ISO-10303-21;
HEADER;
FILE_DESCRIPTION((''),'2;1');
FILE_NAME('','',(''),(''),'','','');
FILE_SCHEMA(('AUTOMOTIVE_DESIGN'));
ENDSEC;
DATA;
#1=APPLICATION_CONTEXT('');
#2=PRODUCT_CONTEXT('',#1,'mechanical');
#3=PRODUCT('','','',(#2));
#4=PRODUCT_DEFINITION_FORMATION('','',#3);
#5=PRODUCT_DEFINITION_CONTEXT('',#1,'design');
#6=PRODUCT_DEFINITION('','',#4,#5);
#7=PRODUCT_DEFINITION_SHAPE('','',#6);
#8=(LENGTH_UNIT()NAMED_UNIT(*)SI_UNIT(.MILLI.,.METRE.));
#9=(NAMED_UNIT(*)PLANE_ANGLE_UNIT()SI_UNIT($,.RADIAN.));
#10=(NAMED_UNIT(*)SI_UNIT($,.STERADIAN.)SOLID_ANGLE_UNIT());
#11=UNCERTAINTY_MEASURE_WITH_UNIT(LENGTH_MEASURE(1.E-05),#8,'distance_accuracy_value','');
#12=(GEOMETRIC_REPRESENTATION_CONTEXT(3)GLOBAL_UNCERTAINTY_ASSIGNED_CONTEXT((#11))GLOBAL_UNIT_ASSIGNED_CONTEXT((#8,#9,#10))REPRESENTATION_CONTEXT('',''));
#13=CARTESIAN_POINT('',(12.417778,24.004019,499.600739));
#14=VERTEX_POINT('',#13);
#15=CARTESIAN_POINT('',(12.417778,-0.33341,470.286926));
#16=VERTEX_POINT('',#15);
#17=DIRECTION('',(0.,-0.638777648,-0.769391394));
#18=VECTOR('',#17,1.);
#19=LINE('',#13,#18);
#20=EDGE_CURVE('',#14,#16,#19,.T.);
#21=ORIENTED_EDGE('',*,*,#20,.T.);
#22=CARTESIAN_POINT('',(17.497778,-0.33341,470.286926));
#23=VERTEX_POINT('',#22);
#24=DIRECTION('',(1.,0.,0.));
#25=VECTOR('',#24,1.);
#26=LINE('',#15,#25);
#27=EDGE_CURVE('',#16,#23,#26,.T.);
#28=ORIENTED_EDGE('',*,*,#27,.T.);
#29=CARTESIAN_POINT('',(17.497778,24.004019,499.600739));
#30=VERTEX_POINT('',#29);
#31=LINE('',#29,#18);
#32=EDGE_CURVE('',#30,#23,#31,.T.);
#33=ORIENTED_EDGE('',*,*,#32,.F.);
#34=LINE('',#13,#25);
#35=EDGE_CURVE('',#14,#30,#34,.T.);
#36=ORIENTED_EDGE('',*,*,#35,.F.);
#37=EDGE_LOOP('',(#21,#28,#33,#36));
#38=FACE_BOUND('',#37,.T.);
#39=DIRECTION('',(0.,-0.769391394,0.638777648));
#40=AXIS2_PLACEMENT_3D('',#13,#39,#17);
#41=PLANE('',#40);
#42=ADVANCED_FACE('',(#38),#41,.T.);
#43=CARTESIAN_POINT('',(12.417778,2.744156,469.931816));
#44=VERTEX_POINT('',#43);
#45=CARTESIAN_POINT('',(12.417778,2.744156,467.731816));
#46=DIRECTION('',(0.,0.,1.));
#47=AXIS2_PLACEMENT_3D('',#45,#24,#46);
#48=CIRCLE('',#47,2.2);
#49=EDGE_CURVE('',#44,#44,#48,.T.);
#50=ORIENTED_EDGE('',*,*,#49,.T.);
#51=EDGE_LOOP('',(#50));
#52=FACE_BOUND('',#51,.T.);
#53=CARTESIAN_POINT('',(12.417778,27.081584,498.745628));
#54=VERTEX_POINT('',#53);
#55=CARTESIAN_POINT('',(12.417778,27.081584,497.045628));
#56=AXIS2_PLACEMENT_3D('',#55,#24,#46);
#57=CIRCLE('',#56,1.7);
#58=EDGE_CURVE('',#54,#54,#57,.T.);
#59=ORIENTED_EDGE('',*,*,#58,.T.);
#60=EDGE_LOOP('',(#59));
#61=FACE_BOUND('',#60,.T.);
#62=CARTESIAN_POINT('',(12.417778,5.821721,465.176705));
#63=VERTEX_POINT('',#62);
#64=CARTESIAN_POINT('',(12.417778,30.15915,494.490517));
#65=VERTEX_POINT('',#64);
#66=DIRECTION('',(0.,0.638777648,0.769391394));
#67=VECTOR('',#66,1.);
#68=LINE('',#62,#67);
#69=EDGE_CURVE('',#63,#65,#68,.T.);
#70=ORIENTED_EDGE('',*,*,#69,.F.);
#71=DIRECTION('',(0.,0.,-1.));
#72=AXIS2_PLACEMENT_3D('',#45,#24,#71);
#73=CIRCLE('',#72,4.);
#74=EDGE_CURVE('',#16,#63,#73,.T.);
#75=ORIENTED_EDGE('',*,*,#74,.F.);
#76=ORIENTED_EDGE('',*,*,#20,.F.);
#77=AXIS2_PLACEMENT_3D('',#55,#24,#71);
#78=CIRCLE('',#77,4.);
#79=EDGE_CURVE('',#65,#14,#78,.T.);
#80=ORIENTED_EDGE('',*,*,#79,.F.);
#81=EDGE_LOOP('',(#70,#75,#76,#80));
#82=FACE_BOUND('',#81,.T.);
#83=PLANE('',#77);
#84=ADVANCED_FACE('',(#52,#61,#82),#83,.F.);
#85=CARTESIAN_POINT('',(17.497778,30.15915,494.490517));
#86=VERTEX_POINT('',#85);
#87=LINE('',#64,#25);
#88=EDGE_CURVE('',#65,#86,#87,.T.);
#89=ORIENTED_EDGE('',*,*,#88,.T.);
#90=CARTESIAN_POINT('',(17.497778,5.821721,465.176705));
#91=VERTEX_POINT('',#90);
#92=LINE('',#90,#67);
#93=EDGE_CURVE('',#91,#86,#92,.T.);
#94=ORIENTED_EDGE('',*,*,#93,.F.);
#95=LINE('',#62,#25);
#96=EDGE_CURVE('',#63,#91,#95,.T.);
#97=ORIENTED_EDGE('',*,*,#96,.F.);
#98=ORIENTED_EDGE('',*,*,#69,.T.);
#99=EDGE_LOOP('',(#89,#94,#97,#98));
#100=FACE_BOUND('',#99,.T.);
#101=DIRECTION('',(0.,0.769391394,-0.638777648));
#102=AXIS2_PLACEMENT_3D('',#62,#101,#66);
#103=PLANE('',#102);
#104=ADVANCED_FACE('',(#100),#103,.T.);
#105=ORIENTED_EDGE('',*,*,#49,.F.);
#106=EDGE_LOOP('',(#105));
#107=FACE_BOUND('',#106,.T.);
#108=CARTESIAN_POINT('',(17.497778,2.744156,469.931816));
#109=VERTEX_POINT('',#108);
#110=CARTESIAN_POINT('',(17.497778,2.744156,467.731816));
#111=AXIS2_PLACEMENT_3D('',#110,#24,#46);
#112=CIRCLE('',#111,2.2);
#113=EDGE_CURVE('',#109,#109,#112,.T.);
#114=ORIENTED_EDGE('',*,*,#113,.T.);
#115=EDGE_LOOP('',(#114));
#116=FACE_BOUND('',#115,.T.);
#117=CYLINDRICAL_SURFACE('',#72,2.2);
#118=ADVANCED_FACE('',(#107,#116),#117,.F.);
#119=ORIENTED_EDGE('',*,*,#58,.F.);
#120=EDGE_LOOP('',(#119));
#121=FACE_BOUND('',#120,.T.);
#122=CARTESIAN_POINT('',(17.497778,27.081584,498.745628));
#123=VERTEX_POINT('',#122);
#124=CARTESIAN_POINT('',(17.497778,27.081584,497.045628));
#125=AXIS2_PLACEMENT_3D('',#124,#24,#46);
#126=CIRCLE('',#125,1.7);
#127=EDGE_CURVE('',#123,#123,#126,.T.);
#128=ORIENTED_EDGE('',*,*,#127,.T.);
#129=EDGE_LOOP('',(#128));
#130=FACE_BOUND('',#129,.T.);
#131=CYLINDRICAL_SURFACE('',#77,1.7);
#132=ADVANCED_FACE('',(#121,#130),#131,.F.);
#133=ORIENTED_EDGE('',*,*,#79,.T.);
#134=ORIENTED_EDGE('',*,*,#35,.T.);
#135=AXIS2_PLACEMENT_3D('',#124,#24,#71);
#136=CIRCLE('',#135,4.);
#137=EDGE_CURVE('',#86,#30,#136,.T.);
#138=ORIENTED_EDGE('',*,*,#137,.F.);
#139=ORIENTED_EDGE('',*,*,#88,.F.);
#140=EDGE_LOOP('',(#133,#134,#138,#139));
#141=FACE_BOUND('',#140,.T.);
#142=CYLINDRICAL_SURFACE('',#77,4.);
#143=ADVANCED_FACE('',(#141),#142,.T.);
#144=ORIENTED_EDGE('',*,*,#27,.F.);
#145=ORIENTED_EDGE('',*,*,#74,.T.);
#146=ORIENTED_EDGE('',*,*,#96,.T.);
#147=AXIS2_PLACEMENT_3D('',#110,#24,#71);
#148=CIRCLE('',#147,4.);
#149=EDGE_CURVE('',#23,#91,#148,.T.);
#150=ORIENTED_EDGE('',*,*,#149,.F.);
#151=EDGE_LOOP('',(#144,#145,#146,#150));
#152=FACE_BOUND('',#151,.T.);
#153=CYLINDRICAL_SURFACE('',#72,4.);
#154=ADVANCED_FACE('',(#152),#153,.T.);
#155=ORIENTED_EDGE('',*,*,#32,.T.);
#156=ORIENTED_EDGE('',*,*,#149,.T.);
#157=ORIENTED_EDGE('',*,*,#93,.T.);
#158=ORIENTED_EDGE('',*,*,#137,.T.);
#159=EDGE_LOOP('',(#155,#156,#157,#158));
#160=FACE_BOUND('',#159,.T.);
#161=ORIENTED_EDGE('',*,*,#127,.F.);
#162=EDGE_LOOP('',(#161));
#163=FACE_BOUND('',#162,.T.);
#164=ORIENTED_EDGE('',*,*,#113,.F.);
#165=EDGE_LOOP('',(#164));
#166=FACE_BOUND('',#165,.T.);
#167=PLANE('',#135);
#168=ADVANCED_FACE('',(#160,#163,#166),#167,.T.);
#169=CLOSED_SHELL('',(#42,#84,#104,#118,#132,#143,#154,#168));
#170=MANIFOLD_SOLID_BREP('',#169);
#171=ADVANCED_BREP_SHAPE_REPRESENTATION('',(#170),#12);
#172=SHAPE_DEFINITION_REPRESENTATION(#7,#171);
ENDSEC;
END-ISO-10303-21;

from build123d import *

# Parameters (mm, degrees)
SKETCH1_R           = 2.2
SKETCH1_R_2         = 1.7
BOSS_EXTRUDE1_DEPTH = 5.08


with BuildPart() as part:
    # Sketch1 → Boss-Extrude1 (new body)
    with BuildSketch(Plane(origin=(17.497777778, 0, 0), x_dir=(0, 0, -1), z_dir=(1, 0, 0))):
        with BuildLine():
            Line((-499.600738517, 24.004018568), (-470.286926412, -0.333409807))
            ThreePointArc((-470.286926412, -0.333409807), (-464.654250247, 0.189045178), (-465.176705231, 5.821721344))
            Line((-465.176705231, 5.821721344), (-494.490517336, 30.159149718))
            ThreePointArc((-494.490517336, 30.159149718), (-500.123193502, 29.636694733), (-499.600738517, 24.004018568))
        make_face()
        with Locations((-467.731815822, 2.744155769)):
            Circle(SKETCH1_R, mode=Mode.SUBTRACT)
        with Locations((-497.045627927, 27.081584143)):
            Circle(SKETCH1_R_2, mode=Mode.SUBTRACT)
    extrude(amount=-BOSS_EXTRUDE1_DEPTH)


solid = part.part
